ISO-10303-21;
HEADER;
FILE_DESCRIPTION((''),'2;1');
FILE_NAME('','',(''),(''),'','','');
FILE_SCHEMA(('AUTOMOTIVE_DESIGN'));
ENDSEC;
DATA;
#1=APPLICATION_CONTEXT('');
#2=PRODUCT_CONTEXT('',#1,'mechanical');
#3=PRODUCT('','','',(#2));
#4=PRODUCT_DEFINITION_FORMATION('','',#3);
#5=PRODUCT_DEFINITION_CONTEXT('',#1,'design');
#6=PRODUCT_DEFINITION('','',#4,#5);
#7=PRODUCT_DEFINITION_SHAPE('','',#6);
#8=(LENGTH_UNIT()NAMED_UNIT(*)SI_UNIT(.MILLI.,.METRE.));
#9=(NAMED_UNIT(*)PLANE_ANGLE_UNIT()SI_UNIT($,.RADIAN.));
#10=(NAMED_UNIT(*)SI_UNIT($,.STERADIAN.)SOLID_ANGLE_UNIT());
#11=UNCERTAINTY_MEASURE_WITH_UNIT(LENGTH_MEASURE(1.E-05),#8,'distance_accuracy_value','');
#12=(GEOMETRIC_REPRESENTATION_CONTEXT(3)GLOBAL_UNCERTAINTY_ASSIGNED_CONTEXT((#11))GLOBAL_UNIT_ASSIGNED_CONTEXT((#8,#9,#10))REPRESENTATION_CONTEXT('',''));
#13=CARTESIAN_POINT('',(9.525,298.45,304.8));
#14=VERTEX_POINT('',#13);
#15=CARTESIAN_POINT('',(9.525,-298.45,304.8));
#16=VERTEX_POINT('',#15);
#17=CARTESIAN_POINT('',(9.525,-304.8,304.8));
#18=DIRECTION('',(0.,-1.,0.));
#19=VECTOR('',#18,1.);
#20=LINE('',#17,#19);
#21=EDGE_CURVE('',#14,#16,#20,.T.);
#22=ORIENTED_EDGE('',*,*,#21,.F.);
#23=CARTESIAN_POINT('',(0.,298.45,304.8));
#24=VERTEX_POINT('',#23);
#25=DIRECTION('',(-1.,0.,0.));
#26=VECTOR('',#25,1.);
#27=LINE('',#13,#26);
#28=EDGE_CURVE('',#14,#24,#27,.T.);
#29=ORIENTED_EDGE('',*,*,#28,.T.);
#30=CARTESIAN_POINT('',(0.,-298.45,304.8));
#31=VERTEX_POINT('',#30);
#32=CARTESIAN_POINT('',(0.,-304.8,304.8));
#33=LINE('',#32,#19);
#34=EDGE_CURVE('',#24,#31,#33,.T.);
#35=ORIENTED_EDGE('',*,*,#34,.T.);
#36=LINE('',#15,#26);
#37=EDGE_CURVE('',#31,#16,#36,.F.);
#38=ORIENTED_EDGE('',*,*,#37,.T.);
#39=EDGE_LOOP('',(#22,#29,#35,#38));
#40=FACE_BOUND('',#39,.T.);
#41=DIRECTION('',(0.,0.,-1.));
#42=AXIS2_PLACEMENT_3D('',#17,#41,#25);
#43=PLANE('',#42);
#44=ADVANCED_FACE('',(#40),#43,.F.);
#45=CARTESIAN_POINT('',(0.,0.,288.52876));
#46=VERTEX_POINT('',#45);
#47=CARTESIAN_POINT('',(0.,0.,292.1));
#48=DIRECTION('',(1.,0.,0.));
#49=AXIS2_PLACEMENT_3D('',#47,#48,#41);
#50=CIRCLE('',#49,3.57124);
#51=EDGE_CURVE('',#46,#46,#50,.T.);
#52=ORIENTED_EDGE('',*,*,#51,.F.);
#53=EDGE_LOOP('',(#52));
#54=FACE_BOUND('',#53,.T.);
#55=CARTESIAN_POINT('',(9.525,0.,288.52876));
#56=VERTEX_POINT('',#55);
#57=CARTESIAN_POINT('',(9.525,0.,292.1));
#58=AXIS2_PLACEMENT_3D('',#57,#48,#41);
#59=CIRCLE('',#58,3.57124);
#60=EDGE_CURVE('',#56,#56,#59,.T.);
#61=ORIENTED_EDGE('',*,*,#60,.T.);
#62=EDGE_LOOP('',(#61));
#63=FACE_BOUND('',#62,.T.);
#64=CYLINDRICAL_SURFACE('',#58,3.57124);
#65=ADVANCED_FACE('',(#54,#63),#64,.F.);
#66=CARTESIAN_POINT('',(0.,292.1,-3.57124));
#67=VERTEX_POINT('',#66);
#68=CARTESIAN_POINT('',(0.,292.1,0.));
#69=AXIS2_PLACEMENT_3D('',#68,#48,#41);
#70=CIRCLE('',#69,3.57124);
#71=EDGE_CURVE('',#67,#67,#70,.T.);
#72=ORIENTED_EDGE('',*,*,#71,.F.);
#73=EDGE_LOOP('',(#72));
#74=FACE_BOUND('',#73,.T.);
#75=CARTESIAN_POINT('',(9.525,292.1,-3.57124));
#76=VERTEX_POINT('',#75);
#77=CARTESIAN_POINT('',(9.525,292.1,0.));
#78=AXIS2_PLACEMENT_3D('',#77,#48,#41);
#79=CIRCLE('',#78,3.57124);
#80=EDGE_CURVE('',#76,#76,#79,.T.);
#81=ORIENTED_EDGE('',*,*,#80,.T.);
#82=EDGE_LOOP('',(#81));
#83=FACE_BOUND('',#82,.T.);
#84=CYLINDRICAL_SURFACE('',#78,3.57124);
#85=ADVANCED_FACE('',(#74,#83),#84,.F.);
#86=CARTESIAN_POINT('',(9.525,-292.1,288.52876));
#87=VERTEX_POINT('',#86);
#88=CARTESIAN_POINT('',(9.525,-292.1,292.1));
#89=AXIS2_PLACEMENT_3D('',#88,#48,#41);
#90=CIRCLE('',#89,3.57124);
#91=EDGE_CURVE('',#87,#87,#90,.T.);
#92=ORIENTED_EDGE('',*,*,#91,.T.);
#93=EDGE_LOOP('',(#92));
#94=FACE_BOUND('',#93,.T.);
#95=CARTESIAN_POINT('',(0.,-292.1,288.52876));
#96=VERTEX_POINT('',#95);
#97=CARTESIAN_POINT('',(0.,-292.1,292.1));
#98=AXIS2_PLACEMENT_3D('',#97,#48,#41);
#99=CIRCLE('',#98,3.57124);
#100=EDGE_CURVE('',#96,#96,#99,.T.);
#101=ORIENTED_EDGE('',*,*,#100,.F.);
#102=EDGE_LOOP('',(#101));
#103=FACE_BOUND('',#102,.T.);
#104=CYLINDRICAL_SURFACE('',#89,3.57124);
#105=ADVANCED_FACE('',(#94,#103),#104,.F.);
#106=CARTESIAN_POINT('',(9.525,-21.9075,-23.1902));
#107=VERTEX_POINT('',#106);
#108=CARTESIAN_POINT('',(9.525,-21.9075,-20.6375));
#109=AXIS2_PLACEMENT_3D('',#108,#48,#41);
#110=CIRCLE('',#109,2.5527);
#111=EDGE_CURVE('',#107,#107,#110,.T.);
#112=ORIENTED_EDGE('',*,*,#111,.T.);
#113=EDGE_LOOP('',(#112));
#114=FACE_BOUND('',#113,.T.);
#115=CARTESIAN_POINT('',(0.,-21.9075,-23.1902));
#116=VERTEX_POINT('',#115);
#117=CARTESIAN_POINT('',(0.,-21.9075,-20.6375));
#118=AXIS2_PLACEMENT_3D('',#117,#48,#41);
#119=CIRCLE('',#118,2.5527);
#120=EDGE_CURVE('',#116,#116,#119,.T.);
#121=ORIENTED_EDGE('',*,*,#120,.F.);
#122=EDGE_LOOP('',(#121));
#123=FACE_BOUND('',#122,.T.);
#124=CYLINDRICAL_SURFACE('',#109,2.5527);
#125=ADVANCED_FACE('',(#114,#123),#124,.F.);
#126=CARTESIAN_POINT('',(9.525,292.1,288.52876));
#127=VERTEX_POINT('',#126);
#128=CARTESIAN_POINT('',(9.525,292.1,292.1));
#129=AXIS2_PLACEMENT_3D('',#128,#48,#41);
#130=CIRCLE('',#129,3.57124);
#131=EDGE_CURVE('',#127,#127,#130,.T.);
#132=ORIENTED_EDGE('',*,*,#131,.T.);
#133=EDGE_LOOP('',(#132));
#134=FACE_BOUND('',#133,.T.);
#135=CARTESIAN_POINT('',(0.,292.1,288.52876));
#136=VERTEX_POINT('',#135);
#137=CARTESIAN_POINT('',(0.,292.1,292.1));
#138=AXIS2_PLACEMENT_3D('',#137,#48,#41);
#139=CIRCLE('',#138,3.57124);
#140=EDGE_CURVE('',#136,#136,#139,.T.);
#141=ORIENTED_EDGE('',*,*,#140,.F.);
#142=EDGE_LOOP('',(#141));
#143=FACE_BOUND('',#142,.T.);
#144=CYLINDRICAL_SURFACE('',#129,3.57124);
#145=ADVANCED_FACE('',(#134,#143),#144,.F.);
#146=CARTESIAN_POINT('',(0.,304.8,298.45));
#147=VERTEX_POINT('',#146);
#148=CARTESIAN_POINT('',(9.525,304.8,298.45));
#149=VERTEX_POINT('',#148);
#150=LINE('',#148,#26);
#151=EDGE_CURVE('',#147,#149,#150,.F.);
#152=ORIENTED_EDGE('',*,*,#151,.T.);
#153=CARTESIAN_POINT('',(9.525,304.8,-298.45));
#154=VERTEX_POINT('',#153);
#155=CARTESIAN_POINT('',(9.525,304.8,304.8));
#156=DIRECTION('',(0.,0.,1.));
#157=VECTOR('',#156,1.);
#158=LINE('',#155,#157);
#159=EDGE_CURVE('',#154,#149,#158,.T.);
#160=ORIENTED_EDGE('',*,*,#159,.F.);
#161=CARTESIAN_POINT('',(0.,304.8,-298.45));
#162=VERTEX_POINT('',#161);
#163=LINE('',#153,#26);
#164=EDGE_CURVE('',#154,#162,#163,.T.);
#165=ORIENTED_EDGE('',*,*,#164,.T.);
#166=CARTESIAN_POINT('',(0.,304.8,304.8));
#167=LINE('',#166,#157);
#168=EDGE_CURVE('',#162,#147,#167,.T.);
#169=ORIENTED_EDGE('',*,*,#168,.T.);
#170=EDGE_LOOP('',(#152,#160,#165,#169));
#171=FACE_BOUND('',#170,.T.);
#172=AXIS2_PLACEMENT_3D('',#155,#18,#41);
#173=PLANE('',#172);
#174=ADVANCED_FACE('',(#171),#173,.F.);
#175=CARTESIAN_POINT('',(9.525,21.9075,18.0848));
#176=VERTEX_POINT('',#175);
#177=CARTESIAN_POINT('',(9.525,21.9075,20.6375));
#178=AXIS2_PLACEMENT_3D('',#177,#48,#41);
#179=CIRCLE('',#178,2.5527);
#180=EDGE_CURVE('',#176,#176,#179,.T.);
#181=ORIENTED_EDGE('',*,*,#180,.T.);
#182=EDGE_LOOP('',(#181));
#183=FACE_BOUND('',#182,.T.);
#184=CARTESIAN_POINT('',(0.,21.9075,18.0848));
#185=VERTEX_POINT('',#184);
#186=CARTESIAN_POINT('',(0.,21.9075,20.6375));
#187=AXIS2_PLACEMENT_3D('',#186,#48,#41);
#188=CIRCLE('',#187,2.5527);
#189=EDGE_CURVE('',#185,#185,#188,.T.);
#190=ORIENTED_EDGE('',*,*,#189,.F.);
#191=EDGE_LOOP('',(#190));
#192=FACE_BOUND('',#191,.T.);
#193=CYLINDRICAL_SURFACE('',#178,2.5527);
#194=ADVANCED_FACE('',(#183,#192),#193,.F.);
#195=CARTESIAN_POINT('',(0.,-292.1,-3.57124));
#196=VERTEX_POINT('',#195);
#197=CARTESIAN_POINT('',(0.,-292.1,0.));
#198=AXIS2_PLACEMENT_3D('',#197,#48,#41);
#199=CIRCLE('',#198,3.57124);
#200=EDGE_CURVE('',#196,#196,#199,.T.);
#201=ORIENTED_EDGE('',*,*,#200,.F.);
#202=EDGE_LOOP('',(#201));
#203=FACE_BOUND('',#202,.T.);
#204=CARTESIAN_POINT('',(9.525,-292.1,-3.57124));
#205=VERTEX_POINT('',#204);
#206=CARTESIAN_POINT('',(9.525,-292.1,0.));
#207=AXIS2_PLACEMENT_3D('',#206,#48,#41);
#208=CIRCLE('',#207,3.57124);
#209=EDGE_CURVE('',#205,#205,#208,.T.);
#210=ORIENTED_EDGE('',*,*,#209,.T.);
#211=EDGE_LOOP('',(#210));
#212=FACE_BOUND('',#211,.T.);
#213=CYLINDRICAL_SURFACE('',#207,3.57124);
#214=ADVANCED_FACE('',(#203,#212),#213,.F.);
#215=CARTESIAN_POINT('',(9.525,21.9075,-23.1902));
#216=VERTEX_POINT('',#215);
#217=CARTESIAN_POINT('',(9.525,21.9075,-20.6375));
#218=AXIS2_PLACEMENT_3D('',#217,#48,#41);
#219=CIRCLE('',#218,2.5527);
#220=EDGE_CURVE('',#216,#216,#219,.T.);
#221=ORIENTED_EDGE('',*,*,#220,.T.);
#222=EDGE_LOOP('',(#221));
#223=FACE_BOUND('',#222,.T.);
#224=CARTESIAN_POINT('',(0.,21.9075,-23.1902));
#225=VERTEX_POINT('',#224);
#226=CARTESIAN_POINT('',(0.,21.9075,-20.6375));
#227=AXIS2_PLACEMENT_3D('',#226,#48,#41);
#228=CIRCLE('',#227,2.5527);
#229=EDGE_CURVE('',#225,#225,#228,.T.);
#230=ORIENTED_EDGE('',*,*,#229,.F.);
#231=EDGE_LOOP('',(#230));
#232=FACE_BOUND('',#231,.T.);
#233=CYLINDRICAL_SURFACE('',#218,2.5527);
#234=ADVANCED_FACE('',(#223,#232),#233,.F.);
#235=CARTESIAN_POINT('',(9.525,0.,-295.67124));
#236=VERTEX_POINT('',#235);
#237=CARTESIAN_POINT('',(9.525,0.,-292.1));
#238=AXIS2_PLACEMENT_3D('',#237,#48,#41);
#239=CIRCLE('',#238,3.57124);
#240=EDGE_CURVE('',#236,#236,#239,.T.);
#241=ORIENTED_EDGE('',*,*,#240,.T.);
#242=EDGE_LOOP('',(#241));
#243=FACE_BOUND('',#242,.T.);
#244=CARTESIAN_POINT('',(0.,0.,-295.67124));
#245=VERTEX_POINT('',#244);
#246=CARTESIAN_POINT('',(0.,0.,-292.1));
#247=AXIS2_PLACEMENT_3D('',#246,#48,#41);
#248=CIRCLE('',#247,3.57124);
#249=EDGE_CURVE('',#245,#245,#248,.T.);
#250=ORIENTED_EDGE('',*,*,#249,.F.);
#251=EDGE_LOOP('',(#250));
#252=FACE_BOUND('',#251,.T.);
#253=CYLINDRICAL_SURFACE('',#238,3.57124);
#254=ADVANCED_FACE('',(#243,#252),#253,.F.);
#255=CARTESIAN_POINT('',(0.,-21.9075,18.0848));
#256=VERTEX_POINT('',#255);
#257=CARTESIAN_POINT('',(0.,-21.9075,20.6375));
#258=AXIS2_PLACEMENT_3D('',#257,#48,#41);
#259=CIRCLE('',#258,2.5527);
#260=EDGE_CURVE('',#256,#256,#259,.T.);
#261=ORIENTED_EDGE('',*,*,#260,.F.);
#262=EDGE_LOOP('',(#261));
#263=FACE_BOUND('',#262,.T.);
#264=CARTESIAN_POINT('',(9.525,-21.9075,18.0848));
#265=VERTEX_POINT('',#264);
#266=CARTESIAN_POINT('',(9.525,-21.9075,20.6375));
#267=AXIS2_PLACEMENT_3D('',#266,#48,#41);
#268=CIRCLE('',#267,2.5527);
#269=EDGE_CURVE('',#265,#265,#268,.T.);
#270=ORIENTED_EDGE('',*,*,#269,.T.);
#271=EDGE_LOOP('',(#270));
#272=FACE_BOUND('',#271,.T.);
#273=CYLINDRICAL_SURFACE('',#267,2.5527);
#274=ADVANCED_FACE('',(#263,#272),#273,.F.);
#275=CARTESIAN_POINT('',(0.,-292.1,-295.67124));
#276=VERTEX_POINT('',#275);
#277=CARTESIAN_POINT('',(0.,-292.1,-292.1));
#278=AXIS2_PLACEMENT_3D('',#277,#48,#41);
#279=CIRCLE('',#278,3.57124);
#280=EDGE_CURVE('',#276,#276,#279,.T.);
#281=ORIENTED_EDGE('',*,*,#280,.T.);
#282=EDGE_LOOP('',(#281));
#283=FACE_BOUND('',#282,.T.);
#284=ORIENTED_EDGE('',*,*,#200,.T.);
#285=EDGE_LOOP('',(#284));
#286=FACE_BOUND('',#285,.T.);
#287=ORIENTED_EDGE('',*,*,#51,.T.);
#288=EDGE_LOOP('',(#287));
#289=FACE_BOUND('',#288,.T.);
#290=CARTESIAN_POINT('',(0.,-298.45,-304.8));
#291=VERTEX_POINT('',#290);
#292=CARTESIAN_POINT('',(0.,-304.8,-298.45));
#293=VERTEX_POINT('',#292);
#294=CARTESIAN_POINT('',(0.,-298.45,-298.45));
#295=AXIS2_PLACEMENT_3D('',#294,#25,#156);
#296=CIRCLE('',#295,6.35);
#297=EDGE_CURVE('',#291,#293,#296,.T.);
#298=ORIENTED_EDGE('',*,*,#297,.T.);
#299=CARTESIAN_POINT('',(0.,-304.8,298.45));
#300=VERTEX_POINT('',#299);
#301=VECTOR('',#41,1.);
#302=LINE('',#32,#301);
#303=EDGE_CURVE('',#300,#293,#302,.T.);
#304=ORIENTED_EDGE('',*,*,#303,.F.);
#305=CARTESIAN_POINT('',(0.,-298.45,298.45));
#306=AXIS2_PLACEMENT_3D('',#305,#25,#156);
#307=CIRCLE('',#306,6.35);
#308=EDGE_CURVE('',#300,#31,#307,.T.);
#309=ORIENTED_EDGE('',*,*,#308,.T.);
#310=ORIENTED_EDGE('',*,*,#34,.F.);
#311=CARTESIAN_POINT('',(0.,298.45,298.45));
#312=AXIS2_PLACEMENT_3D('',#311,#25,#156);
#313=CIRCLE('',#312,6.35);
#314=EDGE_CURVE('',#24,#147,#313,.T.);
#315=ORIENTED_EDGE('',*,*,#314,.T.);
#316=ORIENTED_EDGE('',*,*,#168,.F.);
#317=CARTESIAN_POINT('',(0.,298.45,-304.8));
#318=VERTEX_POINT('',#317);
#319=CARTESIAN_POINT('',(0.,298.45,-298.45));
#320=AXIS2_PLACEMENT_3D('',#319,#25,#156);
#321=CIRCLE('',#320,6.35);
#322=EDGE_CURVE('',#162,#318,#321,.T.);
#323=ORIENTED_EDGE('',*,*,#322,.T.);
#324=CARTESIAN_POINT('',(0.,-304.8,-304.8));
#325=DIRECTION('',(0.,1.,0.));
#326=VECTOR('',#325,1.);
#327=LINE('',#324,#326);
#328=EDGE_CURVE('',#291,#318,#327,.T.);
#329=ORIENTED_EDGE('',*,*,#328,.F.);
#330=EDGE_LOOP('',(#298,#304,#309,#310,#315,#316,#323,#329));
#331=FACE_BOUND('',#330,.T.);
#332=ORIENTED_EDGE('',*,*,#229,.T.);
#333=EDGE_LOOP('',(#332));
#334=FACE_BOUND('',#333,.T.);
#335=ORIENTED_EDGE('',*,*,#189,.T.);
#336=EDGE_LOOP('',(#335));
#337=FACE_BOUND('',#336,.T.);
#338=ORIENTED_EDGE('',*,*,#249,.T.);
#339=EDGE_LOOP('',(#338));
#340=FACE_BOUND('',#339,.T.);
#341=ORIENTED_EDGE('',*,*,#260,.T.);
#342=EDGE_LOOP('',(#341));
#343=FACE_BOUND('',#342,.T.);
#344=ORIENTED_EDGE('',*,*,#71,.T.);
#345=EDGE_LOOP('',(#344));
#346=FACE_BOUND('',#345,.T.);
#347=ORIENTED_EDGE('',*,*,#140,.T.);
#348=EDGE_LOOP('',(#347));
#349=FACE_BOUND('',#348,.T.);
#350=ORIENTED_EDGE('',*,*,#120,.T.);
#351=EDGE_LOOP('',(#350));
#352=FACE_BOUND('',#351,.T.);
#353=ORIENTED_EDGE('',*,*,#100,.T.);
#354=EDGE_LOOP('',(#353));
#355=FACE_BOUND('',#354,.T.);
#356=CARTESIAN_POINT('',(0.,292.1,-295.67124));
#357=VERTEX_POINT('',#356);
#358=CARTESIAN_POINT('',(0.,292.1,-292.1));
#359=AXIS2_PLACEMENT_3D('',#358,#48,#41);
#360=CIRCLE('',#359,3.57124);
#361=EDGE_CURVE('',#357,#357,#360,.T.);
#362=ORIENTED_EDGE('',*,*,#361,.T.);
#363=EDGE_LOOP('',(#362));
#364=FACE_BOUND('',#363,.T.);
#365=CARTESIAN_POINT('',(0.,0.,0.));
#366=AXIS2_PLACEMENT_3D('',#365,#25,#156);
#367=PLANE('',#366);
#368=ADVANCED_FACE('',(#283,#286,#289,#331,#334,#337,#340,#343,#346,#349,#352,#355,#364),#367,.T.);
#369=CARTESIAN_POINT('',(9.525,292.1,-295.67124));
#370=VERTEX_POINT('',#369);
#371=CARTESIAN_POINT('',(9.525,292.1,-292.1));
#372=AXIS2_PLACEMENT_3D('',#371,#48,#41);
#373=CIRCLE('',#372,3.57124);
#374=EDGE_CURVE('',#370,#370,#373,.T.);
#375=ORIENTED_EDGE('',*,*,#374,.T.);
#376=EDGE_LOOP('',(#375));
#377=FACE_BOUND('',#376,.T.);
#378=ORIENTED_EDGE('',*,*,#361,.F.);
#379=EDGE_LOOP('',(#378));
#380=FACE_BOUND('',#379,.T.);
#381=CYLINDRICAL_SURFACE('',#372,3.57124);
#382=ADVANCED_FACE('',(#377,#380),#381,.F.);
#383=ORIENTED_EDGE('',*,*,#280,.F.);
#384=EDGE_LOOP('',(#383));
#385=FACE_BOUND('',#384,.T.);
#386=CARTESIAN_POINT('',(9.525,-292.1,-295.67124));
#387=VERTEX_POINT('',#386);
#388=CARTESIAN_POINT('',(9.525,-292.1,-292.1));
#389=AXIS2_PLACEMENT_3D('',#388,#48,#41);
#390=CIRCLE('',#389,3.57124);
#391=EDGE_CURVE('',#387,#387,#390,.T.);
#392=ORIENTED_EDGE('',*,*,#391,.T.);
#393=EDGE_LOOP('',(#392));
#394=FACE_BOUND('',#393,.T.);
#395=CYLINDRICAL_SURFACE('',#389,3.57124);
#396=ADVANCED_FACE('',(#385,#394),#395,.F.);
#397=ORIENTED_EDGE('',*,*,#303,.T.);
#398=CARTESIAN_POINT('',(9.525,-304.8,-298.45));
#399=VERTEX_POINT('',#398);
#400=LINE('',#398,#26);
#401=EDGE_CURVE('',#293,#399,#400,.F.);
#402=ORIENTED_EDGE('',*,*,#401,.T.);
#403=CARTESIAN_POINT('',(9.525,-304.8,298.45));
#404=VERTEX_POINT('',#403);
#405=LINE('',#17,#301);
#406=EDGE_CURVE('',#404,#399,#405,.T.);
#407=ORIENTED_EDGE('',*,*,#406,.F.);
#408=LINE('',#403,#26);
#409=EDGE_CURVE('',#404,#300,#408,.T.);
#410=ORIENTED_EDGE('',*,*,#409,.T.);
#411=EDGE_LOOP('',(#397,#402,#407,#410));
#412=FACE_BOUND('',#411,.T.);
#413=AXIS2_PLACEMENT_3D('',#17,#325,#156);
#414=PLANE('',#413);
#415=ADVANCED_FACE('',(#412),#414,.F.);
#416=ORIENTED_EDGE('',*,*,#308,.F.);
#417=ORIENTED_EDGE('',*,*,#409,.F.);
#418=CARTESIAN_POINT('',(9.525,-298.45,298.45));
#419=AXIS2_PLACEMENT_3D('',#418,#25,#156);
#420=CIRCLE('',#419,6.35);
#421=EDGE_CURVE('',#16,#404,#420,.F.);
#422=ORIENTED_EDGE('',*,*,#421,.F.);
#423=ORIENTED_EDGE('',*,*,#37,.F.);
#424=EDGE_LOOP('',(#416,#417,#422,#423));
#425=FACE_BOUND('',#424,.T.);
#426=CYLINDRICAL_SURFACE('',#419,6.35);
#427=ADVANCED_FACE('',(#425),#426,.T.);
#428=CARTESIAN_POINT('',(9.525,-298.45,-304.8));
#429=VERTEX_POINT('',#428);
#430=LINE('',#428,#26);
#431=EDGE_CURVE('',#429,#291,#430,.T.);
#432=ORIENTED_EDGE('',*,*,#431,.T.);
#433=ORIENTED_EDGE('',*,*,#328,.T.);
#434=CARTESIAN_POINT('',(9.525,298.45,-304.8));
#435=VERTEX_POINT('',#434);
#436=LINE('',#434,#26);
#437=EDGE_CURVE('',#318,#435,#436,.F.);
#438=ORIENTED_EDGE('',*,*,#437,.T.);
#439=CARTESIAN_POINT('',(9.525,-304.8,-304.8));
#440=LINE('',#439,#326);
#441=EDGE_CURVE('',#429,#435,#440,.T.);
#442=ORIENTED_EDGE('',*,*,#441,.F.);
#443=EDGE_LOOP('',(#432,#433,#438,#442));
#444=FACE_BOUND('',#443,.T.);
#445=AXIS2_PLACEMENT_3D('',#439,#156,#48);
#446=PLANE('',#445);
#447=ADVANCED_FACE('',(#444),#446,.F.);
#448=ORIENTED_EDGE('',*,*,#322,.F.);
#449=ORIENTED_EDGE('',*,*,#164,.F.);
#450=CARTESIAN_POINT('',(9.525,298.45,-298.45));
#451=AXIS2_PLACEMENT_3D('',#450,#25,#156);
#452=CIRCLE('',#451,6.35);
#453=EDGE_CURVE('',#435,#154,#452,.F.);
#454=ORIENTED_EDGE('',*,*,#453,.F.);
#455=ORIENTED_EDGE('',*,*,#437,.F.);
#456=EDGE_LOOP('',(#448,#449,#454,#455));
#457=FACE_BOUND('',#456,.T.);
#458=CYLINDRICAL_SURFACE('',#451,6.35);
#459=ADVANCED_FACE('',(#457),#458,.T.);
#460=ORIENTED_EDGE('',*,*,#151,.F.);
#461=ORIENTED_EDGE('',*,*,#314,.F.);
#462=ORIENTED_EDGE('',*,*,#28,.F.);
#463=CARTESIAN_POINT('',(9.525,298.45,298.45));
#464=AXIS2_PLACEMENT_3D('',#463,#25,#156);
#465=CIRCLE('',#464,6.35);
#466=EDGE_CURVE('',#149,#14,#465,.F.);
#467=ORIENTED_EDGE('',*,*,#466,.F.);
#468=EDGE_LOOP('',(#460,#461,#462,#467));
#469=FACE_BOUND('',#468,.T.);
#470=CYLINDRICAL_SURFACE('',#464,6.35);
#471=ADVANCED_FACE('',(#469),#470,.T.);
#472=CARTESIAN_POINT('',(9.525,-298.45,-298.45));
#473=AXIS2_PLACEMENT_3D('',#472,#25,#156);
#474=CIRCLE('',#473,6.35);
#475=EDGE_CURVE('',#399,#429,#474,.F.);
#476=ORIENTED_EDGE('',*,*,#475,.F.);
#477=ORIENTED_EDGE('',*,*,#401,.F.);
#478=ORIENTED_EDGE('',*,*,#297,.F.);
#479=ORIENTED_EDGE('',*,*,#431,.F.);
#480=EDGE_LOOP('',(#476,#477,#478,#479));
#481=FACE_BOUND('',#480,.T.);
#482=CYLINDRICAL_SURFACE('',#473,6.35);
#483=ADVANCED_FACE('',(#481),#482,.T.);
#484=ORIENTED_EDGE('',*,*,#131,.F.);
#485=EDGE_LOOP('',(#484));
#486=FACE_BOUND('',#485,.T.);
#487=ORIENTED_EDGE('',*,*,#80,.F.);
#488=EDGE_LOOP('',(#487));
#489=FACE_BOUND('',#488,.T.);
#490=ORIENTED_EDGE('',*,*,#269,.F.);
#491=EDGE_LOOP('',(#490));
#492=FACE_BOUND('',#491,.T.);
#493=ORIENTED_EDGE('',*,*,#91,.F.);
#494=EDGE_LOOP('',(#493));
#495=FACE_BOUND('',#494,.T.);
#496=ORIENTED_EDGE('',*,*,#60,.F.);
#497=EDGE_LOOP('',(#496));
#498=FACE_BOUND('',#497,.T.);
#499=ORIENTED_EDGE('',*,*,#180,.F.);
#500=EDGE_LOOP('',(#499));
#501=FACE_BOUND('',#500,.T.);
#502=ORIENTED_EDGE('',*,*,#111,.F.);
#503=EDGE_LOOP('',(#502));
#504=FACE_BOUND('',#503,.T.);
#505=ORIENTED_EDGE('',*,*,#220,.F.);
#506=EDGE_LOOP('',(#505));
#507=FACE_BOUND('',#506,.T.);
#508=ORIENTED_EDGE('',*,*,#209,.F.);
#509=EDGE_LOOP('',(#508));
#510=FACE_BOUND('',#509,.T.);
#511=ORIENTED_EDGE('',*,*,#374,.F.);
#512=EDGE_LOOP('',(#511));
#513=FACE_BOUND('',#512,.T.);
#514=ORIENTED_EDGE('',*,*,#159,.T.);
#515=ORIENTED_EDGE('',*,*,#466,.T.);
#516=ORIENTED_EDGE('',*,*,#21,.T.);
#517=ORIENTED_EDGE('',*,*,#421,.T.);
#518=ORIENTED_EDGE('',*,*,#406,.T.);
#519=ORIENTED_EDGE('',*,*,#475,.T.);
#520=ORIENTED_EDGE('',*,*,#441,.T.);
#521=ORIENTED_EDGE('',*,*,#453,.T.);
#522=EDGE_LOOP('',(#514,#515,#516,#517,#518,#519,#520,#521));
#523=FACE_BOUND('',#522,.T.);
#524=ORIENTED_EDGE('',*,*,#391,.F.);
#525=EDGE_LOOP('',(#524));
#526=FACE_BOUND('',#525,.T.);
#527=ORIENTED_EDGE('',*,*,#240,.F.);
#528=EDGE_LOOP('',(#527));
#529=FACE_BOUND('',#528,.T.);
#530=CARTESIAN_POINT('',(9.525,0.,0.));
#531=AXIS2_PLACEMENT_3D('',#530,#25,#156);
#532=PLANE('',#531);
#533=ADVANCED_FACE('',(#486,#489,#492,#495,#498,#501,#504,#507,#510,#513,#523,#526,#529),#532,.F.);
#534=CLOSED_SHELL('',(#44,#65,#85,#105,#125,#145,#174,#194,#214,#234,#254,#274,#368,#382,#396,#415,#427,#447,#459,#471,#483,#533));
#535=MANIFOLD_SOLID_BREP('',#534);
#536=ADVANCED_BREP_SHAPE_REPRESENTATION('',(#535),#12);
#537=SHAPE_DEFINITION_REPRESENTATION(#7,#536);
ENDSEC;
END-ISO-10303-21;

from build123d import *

# Parameters (mm, degrees)
SKETCH1_W               = 609.6
SKETCH1_H               = 609.6
BOSS_EXTRUDE1_DEPTH     = 9.525
F_1_4_20_TAPPED_HOLE1_D = 5.1054
FILLET1_R               = 6.35
F_1_4_CLEARANCE_HOLE1_D = 7.14248


with BuildPart() as part:
    # Sketch1 → Boss-Extrude1 (new body)
    with BuildSketch(Plane(origin=(0, 0, 0), x_dir=(0, 0, -1), z_dir=(1, 0, 0))):
        Rectangle(SKETCH1_W, SKETCH1_H)
    extrude(amount=BOSS_EXTRUDE1_DEPTH)

    # 1/4-20 Tapped Hole1 (through all)
    with Locations(Plane(origin=(9.525, 0, 0), x_dir=(0, 0, -1), z_dir=(1, 0, 0))):
        with Locations((-20.6375, 21.9075), (20.6375, 21.9075), (20.6375, -21.9075), (-20.6375, -21.9075)):
            Hole(F_1_4_20_TAPPED_HOLE1_D / 2)

    # Fillet1
    fillet1_edges = [part.edges().sort_by_distance(p)[0] for p in [
        (4.7625, -304.8, -304.8),
        (4.7625, -304.8, 304.8),
        (4.7625, 304.8, 304.8),
        (4.7625, 304.8, -304.8),
    ]]
    fillet(fillet1_edges, radius=FILLET1_R)

    # 1/4 Clearance Hole1 (through all)
    with Locations(Plane(origin=(9.525, 0, 0), x_dir=(0, 0, -1), z_dir=(1, 0, 0))):
        with Locations((-292.1, 292.1), (292.1, 292.1), (292.1, -292.1), (-292.1, -292.1), (0, 292.1), (-292.1, 0), (0, -292.1), (292.1, 0)):
            Hole(F_1_4_CLEARANCE_HOLE1_D / 2)


solid = part.part
